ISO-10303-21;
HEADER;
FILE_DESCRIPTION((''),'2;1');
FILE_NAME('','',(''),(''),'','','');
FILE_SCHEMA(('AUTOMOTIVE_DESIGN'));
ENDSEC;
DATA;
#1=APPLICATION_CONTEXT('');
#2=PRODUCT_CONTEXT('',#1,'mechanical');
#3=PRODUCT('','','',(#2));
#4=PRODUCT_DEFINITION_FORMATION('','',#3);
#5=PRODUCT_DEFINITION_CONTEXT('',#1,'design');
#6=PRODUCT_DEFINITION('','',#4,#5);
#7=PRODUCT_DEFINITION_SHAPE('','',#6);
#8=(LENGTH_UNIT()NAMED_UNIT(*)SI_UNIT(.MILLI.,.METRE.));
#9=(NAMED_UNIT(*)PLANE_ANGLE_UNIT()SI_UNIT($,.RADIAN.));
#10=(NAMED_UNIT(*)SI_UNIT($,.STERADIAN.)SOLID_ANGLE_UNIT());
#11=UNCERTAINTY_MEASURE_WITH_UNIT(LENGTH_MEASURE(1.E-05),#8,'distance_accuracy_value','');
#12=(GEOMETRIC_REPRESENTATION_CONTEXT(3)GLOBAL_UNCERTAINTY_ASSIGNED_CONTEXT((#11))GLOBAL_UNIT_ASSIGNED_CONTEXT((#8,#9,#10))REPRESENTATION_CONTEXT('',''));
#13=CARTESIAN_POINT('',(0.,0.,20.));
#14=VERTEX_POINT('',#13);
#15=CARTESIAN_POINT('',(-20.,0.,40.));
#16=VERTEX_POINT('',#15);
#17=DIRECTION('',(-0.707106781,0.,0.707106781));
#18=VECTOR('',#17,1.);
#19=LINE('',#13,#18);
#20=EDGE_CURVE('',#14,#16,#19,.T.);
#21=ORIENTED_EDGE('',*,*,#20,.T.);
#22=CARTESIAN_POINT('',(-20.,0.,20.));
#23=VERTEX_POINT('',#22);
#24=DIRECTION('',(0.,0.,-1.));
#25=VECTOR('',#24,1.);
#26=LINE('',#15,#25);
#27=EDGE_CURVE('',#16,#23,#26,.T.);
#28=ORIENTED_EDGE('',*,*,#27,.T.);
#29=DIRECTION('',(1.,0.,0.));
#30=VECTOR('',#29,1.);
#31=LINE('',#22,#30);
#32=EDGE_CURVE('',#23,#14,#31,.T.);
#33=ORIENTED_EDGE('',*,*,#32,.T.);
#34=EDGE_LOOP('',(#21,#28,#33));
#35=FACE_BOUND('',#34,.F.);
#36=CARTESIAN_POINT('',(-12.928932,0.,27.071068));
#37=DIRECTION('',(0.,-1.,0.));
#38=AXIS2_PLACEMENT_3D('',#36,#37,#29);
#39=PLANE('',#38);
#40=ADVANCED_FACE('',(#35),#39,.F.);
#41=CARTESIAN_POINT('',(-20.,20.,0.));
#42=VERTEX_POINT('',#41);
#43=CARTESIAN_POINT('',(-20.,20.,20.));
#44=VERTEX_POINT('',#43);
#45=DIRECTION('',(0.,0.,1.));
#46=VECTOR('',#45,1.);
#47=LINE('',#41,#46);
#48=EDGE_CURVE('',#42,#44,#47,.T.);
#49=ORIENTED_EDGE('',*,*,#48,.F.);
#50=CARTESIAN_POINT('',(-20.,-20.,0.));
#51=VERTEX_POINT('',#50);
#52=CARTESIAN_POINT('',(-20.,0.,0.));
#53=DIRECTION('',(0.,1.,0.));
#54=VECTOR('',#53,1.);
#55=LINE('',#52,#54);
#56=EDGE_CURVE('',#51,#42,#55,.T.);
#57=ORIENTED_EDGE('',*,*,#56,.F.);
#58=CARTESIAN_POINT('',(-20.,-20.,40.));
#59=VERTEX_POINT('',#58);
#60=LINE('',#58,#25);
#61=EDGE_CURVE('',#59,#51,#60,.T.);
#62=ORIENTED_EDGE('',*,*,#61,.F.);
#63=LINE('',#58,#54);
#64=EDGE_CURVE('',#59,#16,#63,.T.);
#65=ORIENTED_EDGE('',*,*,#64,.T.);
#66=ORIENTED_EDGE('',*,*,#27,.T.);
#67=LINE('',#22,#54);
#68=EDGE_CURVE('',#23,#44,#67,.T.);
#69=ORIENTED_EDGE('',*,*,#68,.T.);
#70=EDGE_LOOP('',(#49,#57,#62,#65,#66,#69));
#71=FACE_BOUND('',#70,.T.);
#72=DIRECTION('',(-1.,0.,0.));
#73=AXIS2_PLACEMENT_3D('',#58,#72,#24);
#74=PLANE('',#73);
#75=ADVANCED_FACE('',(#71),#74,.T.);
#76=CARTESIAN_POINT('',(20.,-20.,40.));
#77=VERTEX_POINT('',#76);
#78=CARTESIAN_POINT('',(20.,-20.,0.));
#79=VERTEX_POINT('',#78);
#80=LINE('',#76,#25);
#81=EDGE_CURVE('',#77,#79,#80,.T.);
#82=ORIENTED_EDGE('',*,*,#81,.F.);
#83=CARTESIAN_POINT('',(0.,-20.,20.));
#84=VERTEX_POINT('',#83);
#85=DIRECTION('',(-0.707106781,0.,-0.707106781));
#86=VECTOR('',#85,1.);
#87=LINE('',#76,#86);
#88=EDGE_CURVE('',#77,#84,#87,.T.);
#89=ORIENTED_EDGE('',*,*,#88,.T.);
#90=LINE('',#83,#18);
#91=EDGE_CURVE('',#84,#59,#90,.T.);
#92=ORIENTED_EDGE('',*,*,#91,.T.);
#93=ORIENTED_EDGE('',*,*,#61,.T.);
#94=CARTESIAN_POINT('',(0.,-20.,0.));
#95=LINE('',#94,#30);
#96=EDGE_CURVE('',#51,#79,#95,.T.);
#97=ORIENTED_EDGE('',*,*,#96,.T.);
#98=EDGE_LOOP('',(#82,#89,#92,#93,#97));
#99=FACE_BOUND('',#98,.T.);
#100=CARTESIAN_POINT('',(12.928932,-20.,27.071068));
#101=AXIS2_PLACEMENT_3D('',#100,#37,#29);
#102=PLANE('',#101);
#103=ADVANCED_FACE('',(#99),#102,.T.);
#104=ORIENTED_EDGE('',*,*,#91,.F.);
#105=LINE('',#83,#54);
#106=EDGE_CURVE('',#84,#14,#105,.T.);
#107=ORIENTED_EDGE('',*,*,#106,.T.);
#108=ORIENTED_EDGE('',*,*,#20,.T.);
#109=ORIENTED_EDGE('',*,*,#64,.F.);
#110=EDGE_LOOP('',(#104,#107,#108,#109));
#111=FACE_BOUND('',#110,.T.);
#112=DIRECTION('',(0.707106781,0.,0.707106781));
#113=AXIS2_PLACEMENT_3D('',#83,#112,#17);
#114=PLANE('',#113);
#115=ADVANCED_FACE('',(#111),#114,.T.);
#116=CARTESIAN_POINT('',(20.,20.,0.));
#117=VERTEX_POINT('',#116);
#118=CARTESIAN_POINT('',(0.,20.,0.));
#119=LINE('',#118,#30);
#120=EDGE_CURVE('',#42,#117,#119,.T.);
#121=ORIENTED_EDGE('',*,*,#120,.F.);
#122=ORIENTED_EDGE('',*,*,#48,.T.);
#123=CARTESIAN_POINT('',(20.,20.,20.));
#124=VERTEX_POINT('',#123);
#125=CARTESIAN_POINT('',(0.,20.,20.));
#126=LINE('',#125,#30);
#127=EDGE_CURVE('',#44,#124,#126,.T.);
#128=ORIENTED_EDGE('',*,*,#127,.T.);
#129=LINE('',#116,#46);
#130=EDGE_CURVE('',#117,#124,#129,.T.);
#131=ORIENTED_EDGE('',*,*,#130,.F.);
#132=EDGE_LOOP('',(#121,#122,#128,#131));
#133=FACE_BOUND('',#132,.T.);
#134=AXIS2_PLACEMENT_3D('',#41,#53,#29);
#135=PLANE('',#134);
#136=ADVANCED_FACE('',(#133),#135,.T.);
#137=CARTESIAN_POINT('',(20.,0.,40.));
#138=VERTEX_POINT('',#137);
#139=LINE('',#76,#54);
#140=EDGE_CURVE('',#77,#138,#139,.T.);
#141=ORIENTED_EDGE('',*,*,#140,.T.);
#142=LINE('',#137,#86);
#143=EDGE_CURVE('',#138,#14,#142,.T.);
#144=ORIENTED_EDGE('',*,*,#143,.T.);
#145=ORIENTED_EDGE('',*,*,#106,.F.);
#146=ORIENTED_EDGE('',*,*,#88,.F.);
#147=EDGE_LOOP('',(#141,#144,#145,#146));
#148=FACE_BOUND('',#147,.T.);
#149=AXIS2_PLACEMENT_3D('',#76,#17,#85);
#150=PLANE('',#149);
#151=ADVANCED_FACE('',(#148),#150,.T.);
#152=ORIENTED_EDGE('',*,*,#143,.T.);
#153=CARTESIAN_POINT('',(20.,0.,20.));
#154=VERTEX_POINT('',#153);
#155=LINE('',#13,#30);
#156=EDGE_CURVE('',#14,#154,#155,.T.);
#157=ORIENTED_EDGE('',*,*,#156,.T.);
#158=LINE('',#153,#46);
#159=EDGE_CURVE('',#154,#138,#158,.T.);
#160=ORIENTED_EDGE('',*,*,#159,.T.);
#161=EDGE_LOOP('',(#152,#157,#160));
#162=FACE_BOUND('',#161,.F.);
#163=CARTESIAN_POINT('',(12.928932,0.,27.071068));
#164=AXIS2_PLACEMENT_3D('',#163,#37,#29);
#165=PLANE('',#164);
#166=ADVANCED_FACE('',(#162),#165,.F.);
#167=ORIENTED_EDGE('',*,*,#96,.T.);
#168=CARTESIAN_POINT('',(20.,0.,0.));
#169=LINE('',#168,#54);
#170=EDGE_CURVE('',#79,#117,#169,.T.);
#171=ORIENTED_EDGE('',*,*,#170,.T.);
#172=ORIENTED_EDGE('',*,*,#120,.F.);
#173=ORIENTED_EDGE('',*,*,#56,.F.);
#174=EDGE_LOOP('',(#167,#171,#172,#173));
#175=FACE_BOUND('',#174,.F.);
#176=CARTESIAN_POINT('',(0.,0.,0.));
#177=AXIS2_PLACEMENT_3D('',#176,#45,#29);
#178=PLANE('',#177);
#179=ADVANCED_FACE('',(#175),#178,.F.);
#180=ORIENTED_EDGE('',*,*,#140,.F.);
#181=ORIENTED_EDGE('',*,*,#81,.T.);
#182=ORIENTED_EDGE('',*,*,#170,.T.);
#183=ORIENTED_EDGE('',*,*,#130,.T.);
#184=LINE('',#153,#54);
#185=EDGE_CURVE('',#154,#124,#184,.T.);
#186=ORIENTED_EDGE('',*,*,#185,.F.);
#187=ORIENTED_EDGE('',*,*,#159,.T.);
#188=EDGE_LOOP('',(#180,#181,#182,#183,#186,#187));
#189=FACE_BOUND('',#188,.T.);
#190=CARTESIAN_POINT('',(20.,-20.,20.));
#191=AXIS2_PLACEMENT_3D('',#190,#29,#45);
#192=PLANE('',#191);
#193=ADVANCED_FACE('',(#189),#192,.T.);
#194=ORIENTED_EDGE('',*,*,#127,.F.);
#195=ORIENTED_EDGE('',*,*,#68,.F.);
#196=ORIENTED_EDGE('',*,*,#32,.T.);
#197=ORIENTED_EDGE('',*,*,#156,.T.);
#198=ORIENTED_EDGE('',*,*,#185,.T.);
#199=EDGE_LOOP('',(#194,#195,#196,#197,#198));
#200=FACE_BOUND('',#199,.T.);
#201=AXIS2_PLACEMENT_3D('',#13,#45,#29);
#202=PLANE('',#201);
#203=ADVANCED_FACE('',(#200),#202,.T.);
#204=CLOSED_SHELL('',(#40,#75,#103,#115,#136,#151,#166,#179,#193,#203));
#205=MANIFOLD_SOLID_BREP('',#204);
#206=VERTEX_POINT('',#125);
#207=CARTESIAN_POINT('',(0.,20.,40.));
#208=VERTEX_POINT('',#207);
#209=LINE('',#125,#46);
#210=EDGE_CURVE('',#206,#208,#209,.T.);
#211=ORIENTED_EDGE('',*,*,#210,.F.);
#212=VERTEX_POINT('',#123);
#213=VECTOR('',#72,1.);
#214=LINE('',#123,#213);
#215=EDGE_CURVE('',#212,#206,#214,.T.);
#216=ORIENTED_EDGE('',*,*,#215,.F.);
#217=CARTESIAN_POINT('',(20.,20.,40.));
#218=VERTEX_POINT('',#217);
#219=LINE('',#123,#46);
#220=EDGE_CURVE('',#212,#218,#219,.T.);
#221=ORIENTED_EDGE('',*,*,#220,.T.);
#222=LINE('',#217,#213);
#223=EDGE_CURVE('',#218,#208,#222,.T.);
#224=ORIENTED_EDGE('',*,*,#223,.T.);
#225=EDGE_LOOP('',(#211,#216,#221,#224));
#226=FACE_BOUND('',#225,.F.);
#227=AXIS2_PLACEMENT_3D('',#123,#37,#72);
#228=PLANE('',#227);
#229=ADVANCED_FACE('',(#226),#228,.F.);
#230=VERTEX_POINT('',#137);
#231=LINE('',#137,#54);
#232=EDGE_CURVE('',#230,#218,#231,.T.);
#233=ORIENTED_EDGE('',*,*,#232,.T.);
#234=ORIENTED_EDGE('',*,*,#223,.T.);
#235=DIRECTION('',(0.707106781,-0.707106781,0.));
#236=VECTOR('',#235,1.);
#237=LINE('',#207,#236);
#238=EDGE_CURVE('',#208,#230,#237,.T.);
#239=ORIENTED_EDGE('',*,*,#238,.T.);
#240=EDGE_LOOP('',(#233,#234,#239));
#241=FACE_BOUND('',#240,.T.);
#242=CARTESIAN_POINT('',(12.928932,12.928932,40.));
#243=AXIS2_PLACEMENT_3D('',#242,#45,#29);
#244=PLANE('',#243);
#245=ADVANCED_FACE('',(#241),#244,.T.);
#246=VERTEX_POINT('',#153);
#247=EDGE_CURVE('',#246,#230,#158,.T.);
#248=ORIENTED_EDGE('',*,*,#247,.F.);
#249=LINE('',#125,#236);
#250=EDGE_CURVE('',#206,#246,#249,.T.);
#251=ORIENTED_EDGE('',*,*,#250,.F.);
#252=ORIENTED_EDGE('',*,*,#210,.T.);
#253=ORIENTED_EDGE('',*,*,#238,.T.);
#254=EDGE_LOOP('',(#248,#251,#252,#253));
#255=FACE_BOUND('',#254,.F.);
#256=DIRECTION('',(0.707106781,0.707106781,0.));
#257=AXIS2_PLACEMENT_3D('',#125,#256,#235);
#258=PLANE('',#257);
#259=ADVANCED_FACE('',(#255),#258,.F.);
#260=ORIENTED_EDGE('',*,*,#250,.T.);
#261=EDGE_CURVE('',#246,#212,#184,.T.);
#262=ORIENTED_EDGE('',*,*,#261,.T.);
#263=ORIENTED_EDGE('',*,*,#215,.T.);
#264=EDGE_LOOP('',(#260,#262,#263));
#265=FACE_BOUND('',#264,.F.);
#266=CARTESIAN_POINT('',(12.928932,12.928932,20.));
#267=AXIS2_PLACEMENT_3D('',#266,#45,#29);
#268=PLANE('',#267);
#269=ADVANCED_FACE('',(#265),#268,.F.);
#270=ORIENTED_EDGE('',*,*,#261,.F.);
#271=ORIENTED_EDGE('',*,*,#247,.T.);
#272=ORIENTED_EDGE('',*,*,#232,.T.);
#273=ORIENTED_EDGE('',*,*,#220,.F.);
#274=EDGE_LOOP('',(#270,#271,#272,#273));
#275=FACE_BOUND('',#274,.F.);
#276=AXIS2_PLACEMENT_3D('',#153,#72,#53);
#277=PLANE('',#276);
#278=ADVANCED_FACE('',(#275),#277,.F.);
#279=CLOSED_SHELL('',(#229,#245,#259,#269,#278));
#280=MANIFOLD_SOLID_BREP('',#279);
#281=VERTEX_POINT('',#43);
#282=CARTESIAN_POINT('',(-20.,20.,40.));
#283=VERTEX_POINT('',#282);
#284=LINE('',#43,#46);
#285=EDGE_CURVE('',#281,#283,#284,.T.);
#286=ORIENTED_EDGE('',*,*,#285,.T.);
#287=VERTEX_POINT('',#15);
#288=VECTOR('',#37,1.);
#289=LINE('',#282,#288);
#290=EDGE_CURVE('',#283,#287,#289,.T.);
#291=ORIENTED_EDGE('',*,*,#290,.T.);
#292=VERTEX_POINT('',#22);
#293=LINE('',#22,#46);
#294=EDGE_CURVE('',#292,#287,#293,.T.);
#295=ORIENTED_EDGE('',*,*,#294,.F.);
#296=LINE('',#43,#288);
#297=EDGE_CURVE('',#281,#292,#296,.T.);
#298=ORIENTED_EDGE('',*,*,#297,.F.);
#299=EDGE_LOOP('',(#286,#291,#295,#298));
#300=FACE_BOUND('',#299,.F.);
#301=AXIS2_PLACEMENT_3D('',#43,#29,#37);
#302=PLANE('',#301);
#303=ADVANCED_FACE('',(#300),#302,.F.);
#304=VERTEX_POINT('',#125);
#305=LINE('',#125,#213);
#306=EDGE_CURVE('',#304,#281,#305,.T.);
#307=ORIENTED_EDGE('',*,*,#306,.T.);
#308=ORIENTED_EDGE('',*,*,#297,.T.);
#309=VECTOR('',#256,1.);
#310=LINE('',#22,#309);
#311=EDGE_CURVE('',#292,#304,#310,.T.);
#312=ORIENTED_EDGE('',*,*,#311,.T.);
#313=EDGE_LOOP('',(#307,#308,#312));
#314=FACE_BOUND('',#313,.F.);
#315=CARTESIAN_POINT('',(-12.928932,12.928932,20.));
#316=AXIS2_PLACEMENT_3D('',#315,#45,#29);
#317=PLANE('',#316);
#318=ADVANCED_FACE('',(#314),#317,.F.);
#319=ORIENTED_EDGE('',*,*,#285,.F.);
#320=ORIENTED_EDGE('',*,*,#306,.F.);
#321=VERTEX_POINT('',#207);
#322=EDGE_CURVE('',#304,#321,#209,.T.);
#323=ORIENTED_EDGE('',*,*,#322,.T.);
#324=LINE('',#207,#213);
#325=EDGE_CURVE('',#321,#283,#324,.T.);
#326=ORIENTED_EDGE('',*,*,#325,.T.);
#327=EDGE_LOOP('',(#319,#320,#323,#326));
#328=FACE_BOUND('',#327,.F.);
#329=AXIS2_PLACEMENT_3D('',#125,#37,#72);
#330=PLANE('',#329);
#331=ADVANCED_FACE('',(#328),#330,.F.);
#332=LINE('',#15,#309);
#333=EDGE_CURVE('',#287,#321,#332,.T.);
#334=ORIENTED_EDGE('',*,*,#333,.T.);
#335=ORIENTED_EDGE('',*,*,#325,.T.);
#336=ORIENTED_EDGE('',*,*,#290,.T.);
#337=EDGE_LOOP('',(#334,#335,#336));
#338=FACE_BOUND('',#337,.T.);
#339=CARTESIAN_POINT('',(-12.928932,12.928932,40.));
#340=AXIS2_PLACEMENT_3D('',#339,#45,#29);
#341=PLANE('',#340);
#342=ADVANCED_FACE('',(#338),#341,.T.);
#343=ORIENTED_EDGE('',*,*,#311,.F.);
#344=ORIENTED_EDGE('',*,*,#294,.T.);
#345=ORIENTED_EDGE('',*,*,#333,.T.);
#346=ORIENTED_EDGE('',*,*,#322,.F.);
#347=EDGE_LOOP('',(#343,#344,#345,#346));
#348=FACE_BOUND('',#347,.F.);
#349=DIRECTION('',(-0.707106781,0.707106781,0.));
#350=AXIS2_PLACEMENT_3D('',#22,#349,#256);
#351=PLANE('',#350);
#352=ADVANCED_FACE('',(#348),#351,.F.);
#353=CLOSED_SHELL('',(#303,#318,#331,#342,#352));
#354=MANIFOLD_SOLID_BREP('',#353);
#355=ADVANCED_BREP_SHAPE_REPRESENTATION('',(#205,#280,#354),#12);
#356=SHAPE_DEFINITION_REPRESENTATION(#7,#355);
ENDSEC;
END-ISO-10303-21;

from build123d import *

# Parameters (mm, degrees)
F0_W     = 40
F0_H     = 40
F1_DEPTH = 20
F3_DEPTH = 20
F5_DEPTH = 20


with BuildPart() as f1:
    # F0 (on Top) → F1 (new body)
    with BuildSketch(Plane.XY):
        Rectangle(F0_W, F0_H)
    extrude(amount=F1_DEPTH)

    # F2 (on face) → F3 (join)
    with BuildSketch(Plane.XZ.offset(20)):
        Polygon((20, 40), (0, 20), (20, 20), align=None)
        Polygon((-20, 40), (-20, 20), (0, 20), align=None)
    extrude(amount=-F3_DEPTH)


with BuildPart() as f5:
    # F4 (on face) → F5 (new body)
    with BuildSketch(Plane.XY.offset(20)):
        Polygon((-20, 0), (0, 20), (-20, 20), align=None)
        Polygon((20, 20), (0, 20), (20, 0), align=None)
    extrude(amount=F5_DEPTH)


solid = Compound([f1.part, f5.part])
